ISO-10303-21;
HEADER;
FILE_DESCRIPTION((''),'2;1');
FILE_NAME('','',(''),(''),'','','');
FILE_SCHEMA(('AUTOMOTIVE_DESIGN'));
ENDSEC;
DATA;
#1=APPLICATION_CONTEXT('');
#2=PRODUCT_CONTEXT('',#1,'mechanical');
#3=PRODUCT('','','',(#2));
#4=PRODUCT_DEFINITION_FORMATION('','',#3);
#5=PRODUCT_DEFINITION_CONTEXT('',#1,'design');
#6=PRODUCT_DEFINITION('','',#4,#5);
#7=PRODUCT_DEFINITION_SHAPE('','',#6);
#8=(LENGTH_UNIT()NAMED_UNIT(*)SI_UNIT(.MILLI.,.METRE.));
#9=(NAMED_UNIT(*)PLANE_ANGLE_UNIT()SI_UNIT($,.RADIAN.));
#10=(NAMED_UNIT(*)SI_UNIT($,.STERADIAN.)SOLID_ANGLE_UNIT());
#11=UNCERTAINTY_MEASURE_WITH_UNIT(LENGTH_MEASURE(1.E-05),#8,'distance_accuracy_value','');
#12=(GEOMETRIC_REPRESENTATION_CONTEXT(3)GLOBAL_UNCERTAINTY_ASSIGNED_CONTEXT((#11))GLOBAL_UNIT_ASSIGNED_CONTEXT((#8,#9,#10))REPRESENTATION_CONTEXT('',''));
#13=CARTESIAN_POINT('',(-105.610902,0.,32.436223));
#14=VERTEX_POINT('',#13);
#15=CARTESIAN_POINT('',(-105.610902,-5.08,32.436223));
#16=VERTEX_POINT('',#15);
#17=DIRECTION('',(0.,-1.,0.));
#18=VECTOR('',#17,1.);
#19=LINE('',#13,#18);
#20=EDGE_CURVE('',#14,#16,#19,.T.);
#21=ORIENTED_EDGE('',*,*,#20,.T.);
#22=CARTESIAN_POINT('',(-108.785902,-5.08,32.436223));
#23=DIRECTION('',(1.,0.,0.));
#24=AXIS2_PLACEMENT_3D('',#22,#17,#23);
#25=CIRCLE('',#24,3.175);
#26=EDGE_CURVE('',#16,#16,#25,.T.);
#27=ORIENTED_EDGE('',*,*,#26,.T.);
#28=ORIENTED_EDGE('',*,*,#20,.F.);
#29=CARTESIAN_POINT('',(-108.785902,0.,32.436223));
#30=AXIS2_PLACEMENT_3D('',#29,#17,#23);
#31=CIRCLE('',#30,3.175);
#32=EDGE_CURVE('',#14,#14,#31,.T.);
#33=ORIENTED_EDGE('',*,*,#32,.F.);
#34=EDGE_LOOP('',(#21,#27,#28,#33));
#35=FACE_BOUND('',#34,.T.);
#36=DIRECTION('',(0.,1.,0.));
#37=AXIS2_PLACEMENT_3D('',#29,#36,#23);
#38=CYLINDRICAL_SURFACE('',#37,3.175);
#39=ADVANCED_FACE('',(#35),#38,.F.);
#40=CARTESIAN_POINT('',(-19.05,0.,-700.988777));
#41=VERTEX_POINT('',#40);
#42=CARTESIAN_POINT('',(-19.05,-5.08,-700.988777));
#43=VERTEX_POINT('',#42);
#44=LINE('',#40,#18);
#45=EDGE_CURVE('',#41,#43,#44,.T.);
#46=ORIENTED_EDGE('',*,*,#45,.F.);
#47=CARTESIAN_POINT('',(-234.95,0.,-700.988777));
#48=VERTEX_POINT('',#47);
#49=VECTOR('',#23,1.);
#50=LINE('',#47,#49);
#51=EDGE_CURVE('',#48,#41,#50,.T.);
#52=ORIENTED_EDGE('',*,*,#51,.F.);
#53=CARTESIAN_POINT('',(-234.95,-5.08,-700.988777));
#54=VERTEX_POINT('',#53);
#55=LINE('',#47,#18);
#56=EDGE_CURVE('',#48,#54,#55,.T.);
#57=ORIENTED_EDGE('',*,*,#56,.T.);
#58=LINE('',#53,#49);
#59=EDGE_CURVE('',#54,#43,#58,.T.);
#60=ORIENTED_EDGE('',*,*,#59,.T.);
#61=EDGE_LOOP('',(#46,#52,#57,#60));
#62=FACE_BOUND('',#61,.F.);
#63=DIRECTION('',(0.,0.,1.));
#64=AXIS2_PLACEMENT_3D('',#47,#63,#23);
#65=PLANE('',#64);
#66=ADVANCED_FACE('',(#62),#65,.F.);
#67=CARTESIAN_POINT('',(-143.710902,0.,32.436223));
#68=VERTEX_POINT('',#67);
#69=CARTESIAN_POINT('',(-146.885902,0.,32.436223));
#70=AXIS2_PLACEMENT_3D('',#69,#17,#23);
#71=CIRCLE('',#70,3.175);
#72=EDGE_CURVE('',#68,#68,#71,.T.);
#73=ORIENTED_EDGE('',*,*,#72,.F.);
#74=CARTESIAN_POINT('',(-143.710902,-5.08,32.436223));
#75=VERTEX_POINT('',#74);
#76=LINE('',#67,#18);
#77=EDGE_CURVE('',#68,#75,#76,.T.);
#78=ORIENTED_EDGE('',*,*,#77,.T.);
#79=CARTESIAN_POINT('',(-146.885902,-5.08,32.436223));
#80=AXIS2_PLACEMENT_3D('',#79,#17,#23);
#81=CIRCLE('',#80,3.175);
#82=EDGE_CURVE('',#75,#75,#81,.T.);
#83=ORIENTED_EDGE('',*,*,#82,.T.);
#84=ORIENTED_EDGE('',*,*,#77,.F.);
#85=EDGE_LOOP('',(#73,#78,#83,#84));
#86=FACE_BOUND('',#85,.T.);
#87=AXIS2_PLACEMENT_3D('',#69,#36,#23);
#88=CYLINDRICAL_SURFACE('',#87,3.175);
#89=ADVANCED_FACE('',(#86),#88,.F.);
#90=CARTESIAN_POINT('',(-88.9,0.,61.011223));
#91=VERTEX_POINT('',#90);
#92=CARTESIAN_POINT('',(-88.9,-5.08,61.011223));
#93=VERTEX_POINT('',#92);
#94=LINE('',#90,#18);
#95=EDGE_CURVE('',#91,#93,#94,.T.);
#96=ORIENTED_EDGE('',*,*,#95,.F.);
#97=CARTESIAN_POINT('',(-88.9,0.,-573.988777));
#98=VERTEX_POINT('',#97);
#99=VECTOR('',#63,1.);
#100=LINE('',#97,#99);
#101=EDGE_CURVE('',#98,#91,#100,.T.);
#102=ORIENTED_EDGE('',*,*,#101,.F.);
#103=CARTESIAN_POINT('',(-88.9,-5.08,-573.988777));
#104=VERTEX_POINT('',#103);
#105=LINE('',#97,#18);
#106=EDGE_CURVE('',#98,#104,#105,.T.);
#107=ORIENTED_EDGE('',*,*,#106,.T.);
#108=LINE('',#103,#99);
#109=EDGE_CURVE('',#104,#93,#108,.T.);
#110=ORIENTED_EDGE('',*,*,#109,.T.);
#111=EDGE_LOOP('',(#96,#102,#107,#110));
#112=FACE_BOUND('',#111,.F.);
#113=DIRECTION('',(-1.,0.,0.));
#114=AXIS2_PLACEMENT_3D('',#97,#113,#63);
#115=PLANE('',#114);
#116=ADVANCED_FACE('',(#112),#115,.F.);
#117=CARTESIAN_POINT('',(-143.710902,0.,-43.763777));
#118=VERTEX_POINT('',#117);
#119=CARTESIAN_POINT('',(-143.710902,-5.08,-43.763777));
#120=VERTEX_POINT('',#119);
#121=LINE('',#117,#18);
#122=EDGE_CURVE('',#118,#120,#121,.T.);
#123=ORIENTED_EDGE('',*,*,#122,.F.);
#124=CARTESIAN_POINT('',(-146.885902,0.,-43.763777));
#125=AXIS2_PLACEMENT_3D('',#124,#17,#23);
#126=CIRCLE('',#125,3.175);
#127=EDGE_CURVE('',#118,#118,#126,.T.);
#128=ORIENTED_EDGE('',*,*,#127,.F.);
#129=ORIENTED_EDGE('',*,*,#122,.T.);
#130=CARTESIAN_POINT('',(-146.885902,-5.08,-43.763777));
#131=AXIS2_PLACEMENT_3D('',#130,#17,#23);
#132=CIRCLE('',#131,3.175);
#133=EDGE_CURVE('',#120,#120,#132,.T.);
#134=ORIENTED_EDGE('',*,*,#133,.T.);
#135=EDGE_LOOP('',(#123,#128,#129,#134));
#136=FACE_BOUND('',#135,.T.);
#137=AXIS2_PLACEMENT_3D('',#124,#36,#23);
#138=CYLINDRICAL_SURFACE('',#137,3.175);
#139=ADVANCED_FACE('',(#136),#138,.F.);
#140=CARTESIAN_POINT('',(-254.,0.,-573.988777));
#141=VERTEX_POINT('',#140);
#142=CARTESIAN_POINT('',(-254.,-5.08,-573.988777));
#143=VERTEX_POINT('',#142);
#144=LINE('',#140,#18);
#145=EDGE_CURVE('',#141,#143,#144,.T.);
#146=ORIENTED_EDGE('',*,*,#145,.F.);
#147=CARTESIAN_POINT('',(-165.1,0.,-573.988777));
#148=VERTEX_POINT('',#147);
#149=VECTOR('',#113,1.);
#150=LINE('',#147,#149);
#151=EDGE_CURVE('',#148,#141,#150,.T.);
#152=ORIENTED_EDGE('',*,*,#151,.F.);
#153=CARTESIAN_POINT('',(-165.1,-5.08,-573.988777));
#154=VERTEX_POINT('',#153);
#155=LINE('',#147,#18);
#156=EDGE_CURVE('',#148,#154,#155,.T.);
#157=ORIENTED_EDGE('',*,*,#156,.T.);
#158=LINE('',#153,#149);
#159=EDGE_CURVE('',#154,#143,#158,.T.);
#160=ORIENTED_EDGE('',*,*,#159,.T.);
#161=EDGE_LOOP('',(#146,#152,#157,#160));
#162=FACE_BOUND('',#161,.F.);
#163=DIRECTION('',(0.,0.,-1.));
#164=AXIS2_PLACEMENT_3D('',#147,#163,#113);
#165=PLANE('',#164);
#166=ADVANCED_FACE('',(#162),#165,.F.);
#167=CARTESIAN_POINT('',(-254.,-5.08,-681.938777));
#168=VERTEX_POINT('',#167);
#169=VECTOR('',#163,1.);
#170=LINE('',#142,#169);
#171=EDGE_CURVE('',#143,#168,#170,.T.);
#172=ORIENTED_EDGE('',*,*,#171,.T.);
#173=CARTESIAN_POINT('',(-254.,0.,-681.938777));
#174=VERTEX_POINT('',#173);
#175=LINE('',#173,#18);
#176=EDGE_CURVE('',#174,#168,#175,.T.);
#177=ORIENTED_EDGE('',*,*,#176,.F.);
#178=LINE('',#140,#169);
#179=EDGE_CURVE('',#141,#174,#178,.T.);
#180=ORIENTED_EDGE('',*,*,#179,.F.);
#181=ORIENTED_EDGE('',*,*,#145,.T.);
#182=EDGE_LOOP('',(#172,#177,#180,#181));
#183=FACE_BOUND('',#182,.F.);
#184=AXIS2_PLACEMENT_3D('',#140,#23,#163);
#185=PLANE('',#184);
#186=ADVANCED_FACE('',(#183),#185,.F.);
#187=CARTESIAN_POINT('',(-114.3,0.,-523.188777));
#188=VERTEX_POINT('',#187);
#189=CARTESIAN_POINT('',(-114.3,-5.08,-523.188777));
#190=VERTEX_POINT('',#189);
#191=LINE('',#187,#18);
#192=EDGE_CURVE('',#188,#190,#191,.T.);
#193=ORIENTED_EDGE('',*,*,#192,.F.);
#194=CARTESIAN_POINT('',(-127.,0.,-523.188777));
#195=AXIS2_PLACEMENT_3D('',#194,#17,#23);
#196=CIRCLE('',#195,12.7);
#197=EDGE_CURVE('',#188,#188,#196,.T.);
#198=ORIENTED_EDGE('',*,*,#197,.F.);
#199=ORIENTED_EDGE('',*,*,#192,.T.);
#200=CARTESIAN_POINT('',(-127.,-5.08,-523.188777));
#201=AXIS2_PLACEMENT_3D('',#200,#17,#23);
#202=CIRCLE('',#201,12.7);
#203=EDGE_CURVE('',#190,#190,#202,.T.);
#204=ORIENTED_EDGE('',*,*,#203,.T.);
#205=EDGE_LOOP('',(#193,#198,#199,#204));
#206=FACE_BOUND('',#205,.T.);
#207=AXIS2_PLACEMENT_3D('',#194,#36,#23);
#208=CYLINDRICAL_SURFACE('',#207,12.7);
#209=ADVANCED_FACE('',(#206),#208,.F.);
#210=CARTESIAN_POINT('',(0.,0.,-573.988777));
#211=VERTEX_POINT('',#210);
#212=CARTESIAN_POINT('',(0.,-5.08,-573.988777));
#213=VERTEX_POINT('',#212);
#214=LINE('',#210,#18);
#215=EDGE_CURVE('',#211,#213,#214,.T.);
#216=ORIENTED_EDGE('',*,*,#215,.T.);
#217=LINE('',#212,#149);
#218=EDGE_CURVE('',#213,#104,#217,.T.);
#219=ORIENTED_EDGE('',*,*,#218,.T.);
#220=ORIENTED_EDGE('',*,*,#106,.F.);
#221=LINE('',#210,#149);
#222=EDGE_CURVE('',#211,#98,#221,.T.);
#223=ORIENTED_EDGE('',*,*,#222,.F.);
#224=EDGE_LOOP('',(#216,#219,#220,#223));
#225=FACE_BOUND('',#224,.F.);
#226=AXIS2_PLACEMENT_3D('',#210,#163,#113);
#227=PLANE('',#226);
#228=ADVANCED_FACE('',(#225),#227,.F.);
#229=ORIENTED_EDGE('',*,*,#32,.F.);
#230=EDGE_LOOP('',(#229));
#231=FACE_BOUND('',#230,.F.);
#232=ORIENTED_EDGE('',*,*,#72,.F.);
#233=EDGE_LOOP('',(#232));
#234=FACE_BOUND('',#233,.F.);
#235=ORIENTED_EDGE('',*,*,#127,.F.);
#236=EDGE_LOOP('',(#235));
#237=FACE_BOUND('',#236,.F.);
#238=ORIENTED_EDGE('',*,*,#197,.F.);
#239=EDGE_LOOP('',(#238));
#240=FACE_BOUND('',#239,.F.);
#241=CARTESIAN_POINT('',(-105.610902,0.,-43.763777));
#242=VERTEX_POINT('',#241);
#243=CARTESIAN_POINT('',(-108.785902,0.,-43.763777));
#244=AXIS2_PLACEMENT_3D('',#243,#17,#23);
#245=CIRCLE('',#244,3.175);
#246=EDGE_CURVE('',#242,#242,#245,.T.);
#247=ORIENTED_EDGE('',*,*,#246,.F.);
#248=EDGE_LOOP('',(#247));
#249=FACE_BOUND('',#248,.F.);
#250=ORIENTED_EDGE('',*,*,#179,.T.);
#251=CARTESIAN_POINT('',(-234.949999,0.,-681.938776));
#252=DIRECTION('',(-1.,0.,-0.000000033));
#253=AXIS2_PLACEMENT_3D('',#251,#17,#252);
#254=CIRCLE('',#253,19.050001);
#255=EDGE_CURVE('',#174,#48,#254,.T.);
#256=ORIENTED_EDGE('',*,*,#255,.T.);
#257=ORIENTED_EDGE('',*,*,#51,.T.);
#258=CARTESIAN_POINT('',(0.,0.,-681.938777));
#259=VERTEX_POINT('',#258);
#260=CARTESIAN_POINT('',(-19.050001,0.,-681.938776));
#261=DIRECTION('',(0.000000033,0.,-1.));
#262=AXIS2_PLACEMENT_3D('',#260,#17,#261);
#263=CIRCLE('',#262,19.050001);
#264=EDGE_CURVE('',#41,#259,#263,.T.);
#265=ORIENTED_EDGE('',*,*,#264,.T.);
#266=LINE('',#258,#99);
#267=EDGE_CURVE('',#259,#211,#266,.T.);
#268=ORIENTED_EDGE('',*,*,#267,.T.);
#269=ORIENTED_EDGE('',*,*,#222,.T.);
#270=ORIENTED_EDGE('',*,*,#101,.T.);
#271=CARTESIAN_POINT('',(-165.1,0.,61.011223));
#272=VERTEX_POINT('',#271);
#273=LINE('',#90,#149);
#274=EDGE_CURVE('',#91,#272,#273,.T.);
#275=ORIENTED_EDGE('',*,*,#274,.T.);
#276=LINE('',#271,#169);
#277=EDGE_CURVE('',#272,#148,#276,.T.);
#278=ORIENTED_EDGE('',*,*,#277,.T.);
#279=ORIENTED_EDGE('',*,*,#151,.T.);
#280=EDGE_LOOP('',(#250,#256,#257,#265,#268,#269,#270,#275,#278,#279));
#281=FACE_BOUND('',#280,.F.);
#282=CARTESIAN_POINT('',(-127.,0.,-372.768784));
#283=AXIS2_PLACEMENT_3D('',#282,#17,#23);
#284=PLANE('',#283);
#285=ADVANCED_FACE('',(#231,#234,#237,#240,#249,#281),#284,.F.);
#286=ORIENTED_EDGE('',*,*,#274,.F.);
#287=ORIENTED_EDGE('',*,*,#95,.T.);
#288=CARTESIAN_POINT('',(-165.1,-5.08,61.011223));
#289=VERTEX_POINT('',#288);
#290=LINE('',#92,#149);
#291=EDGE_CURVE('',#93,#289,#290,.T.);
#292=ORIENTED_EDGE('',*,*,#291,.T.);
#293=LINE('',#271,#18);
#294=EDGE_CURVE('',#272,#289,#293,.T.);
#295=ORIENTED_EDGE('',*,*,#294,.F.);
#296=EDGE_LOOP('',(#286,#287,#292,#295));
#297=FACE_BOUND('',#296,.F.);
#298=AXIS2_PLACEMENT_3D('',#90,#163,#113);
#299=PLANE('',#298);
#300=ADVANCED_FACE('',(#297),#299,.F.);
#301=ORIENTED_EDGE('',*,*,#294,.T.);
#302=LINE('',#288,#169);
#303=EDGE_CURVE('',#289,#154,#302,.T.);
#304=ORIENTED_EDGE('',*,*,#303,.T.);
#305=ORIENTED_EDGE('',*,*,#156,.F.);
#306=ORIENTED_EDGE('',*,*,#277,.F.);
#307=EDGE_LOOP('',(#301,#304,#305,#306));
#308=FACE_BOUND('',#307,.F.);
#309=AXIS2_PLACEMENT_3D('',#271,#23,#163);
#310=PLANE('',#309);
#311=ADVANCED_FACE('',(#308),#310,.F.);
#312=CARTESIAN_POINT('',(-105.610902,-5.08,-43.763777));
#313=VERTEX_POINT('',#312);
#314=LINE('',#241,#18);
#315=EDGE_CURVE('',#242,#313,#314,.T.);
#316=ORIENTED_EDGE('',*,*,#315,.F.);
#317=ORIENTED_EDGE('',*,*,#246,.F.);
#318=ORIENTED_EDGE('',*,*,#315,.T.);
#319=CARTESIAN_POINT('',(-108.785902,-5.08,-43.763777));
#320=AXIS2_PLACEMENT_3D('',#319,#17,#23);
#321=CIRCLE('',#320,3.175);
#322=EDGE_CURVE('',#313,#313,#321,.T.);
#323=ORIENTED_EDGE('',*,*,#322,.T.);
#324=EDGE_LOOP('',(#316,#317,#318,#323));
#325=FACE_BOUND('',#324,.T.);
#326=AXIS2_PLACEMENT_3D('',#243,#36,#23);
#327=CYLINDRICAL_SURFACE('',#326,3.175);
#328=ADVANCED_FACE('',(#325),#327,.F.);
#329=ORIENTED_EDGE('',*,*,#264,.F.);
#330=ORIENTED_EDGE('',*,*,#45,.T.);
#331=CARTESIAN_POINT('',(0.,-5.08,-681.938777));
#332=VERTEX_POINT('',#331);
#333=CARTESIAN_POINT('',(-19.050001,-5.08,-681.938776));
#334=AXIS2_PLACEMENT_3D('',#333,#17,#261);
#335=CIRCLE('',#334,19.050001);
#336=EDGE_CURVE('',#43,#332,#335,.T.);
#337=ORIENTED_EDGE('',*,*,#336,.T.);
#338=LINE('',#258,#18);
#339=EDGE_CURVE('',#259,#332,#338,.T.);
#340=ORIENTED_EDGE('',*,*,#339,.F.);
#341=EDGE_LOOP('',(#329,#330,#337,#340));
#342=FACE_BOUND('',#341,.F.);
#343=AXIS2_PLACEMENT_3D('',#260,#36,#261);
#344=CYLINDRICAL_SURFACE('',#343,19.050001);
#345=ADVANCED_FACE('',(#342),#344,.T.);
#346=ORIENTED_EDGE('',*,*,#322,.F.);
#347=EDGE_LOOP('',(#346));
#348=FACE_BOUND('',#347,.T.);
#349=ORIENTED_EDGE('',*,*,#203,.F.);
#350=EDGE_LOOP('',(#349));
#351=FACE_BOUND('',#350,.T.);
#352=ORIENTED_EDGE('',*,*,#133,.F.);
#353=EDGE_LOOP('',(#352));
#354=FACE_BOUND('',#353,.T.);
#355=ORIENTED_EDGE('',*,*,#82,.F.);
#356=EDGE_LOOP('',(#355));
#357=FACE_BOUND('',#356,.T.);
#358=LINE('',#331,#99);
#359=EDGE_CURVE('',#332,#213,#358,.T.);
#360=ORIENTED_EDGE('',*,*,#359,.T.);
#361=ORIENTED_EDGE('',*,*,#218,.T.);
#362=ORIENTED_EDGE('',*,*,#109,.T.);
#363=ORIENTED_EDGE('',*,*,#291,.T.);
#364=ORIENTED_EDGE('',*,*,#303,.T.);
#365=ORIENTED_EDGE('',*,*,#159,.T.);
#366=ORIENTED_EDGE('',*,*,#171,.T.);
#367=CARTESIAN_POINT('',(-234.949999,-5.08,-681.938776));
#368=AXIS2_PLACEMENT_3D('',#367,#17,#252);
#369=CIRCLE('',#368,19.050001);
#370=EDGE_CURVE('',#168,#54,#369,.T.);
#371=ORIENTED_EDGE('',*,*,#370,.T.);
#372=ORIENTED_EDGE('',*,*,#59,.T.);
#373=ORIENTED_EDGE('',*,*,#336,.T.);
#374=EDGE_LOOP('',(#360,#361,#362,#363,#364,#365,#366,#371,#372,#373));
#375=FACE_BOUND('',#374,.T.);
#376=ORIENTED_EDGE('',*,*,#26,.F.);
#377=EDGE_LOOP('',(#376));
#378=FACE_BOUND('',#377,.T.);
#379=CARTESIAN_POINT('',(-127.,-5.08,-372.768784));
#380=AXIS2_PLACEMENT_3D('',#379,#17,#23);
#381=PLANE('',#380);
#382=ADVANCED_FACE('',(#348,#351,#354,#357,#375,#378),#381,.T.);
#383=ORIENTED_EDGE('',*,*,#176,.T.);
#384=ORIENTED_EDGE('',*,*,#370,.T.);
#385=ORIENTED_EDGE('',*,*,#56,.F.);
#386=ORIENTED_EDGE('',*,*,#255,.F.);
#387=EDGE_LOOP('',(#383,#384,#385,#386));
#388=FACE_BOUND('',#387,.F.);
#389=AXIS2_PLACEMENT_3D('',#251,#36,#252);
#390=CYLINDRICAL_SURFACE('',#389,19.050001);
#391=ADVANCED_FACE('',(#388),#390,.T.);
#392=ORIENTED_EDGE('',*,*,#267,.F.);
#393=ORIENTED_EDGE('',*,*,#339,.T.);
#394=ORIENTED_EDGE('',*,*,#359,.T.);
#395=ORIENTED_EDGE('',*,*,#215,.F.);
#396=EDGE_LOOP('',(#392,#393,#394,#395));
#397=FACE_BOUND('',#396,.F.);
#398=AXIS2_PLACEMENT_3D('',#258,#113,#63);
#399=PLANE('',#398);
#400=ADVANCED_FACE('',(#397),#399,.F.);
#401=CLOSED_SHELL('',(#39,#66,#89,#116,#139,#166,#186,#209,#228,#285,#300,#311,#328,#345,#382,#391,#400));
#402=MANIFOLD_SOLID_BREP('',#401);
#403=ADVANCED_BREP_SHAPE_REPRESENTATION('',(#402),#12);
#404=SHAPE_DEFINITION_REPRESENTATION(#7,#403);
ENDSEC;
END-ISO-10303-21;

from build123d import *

# Parameters (mm, degrees)
F0_R     = 12.7
F0_R_2   = 3.175
F1_DEPTH = 5.08


with BuildPart() as f1:
    # F0 (on Front) → F1 (new body)
    with BuildSketch(Plane.XZ):
        with BuildLine():
            Line((-88.9, 61.011223), (-165.1, 61.011223))
            Line((-165.1, 61.011223), (-165.1, -573.988777))
            Line((-165.1, -573.988777), (-254, -573.988777))
            Line((-254, -573.988777), (-254, -681.938777))
            ThreePointArc((-254, -681.938777), (-248.420384, -695.409161), (-234.95, -700.988777))
            Line((-234.95, -700.988777), (-19.05, -700.988777))
            ThreePointArc((-19.05, -700.988777), (-5.579616, -695.409161), (0, -681.938777))
            Line((0, -681.938777), (0, -573.988777))
            Line((0, -573.988777), (-88.9, -573.988777))
            Line((-88.9, -573.988777), (-88.9, 61.011223))
        make_face()
        with Locations((-127, -523.188777)):
            Circle(F0_R, mode=Mode.SUBTRACT)
        with Locations((-146.885902, -43.763777)):
            Circle(F0_R_2, mode=Mode.SUBTRACT)
        with Locations((-146.885902, 32.436223)):
            Circle(F0_R_2, mode=Mode.SUBTRACT)
        with Locations((-108.785902, -43.763777)):
            Circle(F0_R_2, mode=Mode.SUBTRACT)
        with Locations((-108.785902, 32.436223)):
            Circle(F0_R_2, mode=Mode.SUBTRACT)
    extrude(amount=F1_DEPTH)


solid = f1.part
